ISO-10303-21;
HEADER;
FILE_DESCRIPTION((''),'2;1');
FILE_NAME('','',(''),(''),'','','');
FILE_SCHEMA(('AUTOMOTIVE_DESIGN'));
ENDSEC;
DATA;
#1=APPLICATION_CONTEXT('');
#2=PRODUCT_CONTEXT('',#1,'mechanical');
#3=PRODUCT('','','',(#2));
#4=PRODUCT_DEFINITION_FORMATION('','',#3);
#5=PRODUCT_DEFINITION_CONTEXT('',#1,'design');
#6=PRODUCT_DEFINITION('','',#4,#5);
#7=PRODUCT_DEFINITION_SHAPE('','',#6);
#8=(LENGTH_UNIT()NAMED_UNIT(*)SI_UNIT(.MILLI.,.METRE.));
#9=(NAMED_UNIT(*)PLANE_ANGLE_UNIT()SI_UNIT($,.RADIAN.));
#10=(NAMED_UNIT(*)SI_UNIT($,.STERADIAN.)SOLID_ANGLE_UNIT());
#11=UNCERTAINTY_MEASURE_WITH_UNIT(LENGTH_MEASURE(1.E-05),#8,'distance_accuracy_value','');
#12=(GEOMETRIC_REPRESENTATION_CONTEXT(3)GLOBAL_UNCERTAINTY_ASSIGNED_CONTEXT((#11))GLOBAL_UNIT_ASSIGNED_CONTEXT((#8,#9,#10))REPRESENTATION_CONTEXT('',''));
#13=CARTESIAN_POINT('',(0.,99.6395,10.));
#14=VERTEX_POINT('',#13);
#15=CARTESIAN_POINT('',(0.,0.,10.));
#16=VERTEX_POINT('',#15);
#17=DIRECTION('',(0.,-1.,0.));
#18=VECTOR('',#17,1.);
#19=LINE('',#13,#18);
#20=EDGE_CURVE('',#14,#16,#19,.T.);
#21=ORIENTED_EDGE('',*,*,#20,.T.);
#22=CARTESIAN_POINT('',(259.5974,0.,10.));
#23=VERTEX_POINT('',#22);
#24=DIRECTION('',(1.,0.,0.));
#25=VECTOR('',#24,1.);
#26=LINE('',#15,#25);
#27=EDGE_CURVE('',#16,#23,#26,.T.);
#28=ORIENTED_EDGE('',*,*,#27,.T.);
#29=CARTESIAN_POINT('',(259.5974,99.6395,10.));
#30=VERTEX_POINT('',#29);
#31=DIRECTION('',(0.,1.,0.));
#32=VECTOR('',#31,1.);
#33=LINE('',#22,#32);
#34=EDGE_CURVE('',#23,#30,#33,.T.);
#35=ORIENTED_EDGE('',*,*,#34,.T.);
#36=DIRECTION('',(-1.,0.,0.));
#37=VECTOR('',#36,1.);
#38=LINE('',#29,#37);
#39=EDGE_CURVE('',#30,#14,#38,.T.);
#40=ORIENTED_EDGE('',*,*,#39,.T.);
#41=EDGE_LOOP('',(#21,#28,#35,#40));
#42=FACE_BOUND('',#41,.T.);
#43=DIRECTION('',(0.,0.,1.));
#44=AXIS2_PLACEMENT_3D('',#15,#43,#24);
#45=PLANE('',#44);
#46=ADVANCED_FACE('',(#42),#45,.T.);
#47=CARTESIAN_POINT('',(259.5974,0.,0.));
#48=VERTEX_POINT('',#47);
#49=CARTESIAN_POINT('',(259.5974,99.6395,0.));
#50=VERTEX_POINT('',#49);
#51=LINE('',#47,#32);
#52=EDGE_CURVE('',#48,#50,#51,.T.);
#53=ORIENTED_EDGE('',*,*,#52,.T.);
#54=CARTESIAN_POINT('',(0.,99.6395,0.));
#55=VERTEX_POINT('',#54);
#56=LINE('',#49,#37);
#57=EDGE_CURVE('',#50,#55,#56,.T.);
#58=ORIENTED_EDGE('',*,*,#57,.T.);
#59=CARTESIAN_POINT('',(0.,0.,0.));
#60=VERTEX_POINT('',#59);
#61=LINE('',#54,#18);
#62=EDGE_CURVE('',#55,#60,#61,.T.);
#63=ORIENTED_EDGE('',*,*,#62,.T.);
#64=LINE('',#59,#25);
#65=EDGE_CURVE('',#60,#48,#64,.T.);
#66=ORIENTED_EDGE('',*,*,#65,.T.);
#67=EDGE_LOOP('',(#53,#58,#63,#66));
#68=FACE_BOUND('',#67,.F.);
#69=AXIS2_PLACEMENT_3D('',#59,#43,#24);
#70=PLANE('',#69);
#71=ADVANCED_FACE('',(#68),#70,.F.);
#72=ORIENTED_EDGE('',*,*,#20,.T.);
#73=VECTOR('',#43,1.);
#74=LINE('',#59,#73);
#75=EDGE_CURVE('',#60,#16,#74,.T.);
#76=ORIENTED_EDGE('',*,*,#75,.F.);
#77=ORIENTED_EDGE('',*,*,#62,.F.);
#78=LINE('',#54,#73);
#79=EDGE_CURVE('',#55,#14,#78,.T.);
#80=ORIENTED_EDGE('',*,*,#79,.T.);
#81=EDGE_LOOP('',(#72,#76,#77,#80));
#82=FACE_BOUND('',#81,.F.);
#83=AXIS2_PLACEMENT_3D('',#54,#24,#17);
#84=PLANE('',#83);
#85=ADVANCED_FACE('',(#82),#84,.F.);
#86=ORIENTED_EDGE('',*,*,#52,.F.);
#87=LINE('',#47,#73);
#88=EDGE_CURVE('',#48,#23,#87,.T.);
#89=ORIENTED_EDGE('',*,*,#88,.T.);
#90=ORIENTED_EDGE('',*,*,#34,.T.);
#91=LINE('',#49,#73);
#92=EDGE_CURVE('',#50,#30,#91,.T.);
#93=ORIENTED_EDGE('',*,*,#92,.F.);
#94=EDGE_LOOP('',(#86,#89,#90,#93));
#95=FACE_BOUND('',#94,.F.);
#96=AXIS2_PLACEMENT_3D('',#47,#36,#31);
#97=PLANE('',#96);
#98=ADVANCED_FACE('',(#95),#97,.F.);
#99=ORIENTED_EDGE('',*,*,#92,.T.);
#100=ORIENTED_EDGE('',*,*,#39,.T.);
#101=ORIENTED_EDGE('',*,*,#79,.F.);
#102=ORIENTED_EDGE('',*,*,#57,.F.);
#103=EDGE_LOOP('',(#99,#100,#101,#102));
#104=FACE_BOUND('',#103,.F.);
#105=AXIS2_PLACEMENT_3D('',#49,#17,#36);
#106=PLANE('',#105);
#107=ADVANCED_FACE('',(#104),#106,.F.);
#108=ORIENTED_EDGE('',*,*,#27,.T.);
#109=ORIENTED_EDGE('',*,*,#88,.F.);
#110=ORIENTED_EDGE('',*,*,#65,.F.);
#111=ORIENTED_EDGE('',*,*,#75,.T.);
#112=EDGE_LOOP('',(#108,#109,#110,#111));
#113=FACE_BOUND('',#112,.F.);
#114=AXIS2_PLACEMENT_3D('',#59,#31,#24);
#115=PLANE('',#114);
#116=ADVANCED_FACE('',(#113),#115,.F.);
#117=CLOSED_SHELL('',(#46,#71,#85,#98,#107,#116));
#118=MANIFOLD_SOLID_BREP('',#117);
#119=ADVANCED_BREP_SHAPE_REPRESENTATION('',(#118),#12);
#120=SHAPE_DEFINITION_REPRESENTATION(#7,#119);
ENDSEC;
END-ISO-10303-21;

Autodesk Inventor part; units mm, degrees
ref_plane "YZ Plane" through (0, 0, 0) normal (1, 0, 0) x (0, 1, 0)
ref_plane "XZ Plane" through (0, 0, 0) normal (0, 1, 0) x (-1, 0, 0)
ref_plane "XY Plane" through (0, 0, 0) normal (0, 0, 1) x (1, 0, 0)
sketch "Sketch1" plane through (0, 0, 0) normal (0, 0, 1) x (1, 0, 0)
  line L0 (0, 0) -> (259.5974, 0)
  line L1 (259.5974, 0) -> (259.5974, 99.6395)
  line L2 (259.5974, 99.6395) -> (0, 99.6395)
  line L3 (0, 99.6395) -> (0, 0)
  line L4 (97.5421, 88.1734) -> (173.2221, 88.1734) construction
  line L5 (173.2221, 88.1734) -> (173.2221, 12.4934) construction
  line L6 (173.2221, 12.4934) -> (97.5421, 12.4934) construction
  line L7 (97.5421, 12.4934) -> (97.5421, 88.1734) construction
extrude "Extrusion1" add sketch "Sketch1" along normal blind 10
sketch "Sketch2" plane through (0, 0, 10) normal (0, 0, 1) x (1, 0, 0)
  line L0 (77.4876, 7.3202) -> (77.4876, 94.5147) construction
  line L1 (77.4876, 94.5147) -> (164.6821, 94.5147) construction
  line L2 (164.6821, 94.5147) -> (164.6821, 7.3202) construction
  line L3 (164.6821, 7.3202) -> (77.4876, 7.3202) construction
  point P0 (0, 0)
decal "Decal1"
